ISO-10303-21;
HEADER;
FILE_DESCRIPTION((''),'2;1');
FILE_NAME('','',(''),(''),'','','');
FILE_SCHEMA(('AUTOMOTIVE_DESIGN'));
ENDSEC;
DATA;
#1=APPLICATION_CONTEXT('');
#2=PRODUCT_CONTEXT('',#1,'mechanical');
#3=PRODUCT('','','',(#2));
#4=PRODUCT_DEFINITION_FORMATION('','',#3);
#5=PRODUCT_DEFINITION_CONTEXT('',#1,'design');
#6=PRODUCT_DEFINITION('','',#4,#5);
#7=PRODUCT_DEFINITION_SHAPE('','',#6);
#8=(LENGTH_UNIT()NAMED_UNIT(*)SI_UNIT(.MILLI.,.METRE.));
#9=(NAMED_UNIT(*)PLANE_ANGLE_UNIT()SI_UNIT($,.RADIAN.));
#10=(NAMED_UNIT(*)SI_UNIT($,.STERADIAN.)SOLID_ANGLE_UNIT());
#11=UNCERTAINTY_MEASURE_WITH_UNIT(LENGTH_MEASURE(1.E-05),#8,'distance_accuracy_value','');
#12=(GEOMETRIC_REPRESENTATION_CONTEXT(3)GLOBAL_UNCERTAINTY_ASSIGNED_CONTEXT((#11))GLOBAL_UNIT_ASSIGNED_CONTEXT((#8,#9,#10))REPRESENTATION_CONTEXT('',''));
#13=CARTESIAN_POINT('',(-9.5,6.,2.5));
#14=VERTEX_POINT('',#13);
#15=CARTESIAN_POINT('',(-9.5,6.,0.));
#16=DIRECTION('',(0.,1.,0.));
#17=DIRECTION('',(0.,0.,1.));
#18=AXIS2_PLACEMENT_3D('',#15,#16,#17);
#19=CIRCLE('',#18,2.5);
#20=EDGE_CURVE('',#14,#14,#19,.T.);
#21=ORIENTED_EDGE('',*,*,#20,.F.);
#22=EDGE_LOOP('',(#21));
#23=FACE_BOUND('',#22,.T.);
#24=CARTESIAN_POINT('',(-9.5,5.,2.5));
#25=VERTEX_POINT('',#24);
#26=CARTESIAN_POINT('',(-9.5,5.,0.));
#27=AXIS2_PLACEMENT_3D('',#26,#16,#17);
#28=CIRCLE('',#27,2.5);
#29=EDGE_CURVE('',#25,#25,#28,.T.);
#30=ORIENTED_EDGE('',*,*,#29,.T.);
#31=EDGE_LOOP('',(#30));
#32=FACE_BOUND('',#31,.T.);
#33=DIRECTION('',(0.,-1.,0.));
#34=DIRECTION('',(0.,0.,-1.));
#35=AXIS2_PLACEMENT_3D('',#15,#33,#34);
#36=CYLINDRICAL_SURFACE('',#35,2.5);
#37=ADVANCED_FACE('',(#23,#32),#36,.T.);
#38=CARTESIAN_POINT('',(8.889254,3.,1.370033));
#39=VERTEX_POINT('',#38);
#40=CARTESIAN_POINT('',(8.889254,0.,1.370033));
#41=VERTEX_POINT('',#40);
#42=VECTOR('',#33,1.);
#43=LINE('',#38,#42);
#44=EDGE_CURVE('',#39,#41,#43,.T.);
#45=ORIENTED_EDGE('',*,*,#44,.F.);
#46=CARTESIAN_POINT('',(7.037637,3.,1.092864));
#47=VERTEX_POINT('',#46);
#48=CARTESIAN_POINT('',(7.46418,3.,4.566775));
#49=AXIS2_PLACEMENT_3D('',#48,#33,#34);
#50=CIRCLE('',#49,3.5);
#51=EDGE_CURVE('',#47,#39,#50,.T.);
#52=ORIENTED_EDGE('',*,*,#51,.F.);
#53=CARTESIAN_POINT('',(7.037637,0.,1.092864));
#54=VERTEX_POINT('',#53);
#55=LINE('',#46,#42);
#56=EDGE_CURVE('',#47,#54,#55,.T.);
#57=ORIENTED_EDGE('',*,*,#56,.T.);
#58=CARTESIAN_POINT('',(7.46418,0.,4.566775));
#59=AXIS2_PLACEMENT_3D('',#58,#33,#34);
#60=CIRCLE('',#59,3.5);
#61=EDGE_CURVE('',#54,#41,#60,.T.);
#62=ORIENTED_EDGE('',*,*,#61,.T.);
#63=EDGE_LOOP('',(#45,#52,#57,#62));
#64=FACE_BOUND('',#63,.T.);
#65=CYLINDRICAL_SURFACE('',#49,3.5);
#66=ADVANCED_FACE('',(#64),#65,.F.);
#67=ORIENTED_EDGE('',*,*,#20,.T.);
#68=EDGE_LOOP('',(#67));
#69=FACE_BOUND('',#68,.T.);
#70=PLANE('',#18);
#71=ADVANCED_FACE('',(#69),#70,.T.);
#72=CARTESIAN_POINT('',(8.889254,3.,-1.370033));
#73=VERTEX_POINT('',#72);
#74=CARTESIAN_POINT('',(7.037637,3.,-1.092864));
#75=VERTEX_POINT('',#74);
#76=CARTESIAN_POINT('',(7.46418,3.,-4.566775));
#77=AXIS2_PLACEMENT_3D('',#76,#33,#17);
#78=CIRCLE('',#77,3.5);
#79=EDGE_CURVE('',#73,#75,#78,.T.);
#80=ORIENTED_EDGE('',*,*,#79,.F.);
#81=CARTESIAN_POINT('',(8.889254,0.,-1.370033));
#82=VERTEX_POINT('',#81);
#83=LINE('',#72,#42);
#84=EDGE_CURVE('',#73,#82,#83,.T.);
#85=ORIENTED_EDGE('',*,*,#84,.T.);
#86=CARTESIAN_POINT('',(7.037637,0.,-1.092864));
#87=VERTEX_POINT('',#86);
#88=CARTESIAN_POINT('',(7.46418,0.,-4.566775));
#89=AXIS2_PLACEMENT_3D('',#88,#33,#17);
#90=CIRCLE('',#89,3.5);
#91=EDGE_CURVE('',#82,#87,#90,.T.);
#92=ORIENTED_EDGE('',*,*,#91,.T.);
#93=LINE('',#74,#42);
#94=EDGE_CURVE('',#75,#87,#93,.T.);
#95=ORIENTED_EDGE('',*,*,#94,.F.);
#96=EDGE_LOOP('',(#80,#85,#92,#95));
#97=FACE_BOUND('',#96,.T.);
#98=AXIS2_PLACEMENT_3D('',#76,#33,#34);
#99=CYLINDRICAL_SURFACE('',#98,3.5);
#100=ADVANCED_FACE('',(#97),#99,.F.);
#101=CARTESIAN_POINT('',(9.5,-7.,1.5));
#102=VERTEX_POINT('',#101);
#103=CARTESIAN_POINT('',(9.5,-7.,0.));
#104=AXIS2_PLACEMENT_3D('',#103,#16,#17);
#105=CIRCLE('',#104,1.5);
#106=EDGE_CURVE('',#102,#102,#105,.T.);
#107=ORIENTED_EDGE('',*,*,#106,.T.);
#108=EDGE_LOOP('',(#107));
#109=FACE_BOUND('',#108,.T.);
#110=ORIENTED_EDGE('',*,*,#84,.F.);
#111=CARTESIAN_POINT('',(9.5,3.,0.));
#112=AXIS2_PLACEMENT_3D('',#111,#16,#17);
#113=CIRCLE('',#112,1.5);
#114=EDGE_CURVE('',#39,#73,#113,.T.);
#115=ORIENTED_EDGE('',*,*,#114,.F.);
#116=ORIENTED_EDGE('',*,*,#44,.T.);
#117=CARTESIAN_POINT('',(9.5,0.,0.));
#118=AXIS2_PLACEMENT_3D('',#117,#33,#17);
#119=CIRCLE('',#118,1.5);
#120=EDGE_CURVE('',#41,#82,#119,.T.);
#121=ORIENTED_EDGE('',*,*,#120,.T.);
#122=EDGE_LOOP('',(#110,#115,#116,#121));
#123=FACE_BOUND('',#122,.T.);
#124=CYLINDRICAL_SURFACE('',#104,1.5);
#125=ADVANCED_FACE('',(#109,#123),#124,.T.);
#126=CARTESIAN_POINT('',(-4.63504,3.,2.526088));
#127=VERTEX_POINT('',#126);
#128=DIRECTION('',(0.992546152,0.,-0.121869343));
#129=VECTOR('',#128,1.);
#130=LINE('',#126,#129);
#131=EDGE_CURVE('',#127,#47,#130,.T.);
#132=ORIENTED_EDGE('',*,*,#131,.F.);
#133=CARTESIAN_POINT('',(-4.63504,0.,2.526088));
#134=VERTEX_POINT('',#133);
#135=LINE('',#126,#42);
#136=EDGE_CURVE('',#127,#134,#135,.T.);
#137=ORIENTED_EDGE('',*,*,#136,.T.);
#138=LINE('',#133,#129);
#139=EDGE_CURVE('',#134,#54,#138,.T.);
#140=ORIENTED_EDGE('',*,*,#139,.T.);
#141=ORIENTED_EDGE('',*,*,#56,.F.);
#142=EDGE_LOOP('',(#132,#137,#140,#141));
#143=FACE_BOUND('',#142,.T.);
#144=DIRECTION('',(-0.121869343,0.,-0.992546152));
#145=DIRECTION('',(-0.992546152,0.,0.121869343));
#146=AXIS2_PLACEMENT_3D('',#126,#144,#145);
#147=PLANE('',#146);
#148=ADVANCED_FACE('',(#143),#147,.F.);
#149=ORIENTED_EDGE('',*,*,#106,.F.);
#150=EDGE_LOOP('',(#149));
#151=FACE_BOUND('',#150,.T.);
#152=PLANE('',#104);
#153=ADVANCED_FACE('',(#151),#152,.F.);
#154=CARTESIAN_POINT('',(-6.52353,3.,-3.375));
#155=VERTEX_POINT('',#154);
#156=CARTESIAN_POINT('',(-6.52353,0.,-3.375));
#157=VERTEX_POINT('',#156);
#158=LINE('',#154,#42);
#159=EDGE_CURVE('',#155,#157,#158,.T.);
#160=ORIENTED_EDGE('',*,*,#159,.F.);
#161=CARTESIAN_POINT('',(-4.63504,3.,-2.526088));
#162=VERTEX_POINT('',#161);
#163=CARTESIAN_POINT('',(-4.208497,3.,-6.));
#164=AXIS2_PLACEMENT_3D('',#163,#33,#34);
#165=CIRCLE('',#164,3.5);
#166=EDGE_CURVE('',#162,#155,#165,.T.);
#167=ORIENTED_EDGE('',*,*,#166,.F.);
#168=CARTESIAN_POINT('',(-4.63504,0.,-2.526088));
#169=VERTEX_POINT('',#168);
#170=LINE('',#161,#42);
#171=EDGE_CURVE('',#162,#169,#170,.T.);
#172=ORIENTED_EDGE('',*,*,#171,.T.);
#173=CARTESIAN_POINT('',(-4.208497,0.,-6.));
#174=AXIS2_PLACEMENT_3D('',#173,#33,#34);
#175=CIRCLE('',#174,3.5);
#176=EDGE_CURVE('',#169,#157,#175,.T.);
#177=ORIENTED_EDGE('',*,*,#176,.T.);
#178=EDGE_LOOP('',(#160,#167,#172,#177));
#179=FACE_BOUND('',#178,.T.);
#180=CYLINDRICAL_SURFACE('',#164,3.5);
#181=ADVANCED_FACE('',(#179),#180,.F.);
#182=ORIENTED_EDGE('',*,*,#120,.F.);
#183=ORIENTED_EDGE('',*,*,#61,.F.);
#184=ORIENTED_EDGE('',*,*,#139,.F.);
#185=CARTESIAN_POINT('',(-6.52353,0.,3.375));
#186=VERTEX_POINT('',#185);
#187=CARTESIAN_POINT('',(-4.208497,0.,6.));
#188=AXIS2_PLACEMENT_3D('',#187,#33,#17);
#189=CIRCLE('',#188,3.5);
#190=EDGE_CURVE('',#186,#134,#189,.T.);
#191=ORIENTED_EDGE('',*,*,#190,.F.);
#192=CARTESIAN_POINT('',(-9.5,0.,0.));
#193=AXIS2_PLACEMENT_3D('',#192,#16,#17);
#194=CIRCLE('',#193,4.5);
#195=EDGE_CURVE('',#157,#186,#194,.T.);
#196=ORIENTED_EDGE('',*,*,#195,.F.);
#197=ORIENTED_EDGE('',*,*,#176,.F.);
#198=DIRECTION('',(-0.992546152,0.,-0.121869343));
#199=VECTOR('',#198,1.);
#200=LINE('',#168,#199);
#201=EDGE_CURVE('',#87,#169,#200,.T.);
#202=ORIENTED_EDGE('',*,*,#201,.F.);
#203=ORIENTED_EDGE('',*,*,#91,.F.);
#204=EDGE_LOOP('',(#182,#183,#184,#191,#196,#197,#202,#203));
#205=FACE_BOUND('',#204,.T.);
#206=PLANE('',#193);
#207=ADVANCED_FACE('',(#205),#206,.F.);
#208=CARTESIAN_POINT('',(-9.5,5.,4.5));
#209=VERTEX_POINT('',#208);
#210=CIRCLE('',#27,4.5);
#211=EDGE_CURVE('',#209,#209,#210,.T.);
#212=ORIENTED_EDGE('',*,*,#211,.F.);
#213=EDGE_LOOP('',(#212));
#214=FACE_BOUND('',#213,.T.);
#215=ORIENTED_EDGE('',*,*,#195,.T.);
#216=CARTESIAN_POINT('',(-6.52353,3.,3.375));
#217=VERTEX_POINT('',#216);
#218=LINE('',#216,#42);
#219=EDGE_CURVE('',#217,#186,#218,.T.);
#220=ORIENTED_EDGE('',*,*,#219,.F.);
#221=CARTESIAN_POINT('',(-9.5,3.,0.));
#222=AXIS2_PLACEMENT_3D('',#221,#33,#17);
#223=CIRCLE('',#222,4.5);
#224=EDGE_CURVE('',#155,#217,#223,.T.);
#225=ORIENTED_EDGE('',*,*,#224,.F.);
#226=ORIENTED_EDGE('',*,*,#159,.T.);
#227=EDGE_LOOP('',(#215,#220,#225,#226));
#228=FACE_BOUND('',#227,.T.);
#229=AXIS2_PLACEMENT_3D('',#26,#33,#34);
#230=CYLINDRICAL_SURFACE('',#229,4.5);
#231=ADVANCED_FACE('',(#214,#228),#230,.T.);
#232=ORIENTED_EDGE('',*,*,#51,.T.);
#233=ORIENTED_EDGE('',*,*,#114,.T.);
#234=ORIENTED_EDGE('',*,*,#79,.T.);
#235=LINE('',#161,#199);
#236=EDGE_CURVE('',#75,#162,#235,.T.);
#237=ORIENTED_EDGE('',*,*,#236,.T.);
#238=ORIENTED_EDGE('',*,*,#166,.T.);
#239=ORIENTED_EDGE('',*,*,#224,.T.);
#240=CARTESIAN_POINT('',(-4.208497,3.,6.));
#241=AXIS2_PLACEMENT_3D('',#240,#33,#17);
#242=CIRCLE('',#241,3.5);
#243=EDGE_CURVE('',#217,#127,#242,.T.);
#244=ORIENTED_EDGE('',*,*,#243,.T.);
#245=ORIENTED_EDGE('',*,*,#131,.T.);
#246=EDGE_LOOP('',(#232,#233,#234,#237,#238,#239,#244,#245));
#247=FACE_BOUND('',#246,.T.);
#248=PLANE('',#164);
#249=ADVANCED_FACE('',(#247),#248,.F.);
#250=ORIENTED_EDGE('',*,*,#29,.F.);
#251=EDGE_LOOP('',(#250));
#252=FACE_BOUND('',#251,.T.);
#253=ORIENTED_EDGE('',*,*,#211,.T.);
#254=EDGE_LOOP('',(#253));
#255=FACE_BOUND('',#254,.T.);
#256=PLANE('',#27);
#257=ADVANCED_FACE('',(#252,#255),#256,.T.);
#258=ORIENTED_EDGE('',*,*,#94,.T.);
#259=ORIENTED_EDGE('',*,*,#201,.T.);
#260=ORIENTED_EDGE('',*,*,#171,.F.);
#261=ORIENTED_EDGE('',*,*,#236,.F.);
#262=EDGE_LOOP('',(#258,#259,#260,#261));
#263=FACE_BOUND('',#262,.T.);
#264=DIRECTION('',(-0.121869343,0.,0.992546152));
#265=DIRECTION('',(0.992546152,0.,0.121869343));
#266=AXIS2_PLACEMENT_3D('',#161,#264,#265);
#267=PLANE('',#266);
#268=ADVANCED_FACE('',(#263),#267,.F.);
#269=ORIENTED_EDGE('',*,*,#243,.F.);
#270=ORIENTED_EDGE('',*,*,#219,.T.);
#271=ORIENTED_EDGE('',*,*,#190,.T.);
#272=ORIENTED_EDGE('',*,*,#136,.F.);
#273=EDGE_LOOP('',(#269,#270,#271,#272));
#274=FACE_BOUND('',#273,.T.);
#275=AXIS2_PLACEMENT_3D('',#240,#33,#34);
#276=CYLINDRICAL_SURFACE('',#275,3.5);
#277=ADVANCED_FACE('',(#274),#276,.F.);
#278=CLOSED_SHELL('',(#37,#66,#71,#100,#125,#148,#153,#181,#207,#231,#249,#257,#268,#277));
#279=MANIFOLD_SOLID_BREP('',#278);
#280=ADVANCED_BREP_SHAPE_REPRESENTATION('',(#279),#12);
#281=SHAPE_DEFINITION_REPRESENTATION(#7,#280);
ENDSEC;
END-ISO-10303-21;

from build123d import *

# Parameters (mm, degrees)
SKETCH1_R                = 4.5
BOSS_EXTRUDE1_DEPTH      = 5
BOSS_EXTRUDE2_DEPTH      = 3
BOSS_EXTRUDE2_DEPTH_BACK = 7
SKETCH1_3_R              = 1.5
BOSS_EXTRUDE3_DEPTH      = 3
SKETCH3_R                = 2.5
BOSS_EXTRUDE4_DEPTH      = 1


with BuildPart() as part:
    # Sketch1 → Boss-Extrude1 (new body)
    with BuildSketch(Plane(origin=(0, 0, 0), x_dir=(1, 0, 0), z_dir=(0, 1, 0))):
        with Locations((-9.5, 0)):
            Circle(SKETCH1_R)
    extrude(amount=BOSS_EXTRUDE1_DEPTH)



with BuildPart() as body_2:
    # Sketch1<3> → Boss-Extrude2 (new, two sides: drawn at the far end of the back side and taken through both)
    with BuildSketch(Plane(origin=(0, 0, 0), x_dir=(1, 0, 0), z_dir=(0, 1, 0)).offset(-BOSS_EXTRUDE2_DEPTH_BACK)):
        with Locations((9.5, 0)):
            Circle(SKETCH1_3_R)
    extrude(amount=BOSS_EXTRUDE2_DEPTH + BOSS_EXTRUDE2_DEPTH_BACK)


with BuildPart() as part_1:
    add(part.part)

    add(body_2.part)  # Boss-Extrude3 merges body 2
    # Sketch2 → Boss-Extrude3 (add)
    with BuildSketch(Plane(origin=(0, 0, 0), x_dir=(1, 0, 0), z_dir=(0, 1, 0))):
        with BuildLine():
            Line((-4.63504008, 2.526088469), (7.037637478, 1.092863881))
            ThreePointArc((7.037637478, 1.092863881), (7.982322779, 1.105340991), (8.889254054, 1.370032623))
            ThreePointArc((8.889254054, 1.370032623), (8, 0), (8.889254054, -1.370032623))
            ThreePointArc((8.889254054, -1.370032623), (7.982322779, -1.105340991), (7.037637478, -1.092863881))
            Line((7.037637478, -1.092863881), (-4.63504008, -2.526088469))
            ThreePointArc((-4.63504008, -2.526088469), (-5.643496055, -2.807700077), (-6.523529775, -3.375))
            ThreePointArc((-6.523529775, -3.375), (-5, 0), (-6.523529775, 3.375))
            ThreePointArc((-6.523529775, 3.375), (-5.643496055, 2.807700077), (-4.63504008, 2.526088469))
        make_face()
    extrude(amount=BOSS_EXTRUDE3_DEPTH)

    # Sketch3 → Boss-Extrude4 (add)
    with BuildSketch(Plane(origin=(0, 5, 0), x_dir=(1, 0, 0), z_dir=(0, 1, 0))):
        with Locations((-9.5, 0)):
            Circle(SKETCH3_R)
    extrude(amount=BOSS_EXTRUDE4_DEPTH)


solid = part_1.part
